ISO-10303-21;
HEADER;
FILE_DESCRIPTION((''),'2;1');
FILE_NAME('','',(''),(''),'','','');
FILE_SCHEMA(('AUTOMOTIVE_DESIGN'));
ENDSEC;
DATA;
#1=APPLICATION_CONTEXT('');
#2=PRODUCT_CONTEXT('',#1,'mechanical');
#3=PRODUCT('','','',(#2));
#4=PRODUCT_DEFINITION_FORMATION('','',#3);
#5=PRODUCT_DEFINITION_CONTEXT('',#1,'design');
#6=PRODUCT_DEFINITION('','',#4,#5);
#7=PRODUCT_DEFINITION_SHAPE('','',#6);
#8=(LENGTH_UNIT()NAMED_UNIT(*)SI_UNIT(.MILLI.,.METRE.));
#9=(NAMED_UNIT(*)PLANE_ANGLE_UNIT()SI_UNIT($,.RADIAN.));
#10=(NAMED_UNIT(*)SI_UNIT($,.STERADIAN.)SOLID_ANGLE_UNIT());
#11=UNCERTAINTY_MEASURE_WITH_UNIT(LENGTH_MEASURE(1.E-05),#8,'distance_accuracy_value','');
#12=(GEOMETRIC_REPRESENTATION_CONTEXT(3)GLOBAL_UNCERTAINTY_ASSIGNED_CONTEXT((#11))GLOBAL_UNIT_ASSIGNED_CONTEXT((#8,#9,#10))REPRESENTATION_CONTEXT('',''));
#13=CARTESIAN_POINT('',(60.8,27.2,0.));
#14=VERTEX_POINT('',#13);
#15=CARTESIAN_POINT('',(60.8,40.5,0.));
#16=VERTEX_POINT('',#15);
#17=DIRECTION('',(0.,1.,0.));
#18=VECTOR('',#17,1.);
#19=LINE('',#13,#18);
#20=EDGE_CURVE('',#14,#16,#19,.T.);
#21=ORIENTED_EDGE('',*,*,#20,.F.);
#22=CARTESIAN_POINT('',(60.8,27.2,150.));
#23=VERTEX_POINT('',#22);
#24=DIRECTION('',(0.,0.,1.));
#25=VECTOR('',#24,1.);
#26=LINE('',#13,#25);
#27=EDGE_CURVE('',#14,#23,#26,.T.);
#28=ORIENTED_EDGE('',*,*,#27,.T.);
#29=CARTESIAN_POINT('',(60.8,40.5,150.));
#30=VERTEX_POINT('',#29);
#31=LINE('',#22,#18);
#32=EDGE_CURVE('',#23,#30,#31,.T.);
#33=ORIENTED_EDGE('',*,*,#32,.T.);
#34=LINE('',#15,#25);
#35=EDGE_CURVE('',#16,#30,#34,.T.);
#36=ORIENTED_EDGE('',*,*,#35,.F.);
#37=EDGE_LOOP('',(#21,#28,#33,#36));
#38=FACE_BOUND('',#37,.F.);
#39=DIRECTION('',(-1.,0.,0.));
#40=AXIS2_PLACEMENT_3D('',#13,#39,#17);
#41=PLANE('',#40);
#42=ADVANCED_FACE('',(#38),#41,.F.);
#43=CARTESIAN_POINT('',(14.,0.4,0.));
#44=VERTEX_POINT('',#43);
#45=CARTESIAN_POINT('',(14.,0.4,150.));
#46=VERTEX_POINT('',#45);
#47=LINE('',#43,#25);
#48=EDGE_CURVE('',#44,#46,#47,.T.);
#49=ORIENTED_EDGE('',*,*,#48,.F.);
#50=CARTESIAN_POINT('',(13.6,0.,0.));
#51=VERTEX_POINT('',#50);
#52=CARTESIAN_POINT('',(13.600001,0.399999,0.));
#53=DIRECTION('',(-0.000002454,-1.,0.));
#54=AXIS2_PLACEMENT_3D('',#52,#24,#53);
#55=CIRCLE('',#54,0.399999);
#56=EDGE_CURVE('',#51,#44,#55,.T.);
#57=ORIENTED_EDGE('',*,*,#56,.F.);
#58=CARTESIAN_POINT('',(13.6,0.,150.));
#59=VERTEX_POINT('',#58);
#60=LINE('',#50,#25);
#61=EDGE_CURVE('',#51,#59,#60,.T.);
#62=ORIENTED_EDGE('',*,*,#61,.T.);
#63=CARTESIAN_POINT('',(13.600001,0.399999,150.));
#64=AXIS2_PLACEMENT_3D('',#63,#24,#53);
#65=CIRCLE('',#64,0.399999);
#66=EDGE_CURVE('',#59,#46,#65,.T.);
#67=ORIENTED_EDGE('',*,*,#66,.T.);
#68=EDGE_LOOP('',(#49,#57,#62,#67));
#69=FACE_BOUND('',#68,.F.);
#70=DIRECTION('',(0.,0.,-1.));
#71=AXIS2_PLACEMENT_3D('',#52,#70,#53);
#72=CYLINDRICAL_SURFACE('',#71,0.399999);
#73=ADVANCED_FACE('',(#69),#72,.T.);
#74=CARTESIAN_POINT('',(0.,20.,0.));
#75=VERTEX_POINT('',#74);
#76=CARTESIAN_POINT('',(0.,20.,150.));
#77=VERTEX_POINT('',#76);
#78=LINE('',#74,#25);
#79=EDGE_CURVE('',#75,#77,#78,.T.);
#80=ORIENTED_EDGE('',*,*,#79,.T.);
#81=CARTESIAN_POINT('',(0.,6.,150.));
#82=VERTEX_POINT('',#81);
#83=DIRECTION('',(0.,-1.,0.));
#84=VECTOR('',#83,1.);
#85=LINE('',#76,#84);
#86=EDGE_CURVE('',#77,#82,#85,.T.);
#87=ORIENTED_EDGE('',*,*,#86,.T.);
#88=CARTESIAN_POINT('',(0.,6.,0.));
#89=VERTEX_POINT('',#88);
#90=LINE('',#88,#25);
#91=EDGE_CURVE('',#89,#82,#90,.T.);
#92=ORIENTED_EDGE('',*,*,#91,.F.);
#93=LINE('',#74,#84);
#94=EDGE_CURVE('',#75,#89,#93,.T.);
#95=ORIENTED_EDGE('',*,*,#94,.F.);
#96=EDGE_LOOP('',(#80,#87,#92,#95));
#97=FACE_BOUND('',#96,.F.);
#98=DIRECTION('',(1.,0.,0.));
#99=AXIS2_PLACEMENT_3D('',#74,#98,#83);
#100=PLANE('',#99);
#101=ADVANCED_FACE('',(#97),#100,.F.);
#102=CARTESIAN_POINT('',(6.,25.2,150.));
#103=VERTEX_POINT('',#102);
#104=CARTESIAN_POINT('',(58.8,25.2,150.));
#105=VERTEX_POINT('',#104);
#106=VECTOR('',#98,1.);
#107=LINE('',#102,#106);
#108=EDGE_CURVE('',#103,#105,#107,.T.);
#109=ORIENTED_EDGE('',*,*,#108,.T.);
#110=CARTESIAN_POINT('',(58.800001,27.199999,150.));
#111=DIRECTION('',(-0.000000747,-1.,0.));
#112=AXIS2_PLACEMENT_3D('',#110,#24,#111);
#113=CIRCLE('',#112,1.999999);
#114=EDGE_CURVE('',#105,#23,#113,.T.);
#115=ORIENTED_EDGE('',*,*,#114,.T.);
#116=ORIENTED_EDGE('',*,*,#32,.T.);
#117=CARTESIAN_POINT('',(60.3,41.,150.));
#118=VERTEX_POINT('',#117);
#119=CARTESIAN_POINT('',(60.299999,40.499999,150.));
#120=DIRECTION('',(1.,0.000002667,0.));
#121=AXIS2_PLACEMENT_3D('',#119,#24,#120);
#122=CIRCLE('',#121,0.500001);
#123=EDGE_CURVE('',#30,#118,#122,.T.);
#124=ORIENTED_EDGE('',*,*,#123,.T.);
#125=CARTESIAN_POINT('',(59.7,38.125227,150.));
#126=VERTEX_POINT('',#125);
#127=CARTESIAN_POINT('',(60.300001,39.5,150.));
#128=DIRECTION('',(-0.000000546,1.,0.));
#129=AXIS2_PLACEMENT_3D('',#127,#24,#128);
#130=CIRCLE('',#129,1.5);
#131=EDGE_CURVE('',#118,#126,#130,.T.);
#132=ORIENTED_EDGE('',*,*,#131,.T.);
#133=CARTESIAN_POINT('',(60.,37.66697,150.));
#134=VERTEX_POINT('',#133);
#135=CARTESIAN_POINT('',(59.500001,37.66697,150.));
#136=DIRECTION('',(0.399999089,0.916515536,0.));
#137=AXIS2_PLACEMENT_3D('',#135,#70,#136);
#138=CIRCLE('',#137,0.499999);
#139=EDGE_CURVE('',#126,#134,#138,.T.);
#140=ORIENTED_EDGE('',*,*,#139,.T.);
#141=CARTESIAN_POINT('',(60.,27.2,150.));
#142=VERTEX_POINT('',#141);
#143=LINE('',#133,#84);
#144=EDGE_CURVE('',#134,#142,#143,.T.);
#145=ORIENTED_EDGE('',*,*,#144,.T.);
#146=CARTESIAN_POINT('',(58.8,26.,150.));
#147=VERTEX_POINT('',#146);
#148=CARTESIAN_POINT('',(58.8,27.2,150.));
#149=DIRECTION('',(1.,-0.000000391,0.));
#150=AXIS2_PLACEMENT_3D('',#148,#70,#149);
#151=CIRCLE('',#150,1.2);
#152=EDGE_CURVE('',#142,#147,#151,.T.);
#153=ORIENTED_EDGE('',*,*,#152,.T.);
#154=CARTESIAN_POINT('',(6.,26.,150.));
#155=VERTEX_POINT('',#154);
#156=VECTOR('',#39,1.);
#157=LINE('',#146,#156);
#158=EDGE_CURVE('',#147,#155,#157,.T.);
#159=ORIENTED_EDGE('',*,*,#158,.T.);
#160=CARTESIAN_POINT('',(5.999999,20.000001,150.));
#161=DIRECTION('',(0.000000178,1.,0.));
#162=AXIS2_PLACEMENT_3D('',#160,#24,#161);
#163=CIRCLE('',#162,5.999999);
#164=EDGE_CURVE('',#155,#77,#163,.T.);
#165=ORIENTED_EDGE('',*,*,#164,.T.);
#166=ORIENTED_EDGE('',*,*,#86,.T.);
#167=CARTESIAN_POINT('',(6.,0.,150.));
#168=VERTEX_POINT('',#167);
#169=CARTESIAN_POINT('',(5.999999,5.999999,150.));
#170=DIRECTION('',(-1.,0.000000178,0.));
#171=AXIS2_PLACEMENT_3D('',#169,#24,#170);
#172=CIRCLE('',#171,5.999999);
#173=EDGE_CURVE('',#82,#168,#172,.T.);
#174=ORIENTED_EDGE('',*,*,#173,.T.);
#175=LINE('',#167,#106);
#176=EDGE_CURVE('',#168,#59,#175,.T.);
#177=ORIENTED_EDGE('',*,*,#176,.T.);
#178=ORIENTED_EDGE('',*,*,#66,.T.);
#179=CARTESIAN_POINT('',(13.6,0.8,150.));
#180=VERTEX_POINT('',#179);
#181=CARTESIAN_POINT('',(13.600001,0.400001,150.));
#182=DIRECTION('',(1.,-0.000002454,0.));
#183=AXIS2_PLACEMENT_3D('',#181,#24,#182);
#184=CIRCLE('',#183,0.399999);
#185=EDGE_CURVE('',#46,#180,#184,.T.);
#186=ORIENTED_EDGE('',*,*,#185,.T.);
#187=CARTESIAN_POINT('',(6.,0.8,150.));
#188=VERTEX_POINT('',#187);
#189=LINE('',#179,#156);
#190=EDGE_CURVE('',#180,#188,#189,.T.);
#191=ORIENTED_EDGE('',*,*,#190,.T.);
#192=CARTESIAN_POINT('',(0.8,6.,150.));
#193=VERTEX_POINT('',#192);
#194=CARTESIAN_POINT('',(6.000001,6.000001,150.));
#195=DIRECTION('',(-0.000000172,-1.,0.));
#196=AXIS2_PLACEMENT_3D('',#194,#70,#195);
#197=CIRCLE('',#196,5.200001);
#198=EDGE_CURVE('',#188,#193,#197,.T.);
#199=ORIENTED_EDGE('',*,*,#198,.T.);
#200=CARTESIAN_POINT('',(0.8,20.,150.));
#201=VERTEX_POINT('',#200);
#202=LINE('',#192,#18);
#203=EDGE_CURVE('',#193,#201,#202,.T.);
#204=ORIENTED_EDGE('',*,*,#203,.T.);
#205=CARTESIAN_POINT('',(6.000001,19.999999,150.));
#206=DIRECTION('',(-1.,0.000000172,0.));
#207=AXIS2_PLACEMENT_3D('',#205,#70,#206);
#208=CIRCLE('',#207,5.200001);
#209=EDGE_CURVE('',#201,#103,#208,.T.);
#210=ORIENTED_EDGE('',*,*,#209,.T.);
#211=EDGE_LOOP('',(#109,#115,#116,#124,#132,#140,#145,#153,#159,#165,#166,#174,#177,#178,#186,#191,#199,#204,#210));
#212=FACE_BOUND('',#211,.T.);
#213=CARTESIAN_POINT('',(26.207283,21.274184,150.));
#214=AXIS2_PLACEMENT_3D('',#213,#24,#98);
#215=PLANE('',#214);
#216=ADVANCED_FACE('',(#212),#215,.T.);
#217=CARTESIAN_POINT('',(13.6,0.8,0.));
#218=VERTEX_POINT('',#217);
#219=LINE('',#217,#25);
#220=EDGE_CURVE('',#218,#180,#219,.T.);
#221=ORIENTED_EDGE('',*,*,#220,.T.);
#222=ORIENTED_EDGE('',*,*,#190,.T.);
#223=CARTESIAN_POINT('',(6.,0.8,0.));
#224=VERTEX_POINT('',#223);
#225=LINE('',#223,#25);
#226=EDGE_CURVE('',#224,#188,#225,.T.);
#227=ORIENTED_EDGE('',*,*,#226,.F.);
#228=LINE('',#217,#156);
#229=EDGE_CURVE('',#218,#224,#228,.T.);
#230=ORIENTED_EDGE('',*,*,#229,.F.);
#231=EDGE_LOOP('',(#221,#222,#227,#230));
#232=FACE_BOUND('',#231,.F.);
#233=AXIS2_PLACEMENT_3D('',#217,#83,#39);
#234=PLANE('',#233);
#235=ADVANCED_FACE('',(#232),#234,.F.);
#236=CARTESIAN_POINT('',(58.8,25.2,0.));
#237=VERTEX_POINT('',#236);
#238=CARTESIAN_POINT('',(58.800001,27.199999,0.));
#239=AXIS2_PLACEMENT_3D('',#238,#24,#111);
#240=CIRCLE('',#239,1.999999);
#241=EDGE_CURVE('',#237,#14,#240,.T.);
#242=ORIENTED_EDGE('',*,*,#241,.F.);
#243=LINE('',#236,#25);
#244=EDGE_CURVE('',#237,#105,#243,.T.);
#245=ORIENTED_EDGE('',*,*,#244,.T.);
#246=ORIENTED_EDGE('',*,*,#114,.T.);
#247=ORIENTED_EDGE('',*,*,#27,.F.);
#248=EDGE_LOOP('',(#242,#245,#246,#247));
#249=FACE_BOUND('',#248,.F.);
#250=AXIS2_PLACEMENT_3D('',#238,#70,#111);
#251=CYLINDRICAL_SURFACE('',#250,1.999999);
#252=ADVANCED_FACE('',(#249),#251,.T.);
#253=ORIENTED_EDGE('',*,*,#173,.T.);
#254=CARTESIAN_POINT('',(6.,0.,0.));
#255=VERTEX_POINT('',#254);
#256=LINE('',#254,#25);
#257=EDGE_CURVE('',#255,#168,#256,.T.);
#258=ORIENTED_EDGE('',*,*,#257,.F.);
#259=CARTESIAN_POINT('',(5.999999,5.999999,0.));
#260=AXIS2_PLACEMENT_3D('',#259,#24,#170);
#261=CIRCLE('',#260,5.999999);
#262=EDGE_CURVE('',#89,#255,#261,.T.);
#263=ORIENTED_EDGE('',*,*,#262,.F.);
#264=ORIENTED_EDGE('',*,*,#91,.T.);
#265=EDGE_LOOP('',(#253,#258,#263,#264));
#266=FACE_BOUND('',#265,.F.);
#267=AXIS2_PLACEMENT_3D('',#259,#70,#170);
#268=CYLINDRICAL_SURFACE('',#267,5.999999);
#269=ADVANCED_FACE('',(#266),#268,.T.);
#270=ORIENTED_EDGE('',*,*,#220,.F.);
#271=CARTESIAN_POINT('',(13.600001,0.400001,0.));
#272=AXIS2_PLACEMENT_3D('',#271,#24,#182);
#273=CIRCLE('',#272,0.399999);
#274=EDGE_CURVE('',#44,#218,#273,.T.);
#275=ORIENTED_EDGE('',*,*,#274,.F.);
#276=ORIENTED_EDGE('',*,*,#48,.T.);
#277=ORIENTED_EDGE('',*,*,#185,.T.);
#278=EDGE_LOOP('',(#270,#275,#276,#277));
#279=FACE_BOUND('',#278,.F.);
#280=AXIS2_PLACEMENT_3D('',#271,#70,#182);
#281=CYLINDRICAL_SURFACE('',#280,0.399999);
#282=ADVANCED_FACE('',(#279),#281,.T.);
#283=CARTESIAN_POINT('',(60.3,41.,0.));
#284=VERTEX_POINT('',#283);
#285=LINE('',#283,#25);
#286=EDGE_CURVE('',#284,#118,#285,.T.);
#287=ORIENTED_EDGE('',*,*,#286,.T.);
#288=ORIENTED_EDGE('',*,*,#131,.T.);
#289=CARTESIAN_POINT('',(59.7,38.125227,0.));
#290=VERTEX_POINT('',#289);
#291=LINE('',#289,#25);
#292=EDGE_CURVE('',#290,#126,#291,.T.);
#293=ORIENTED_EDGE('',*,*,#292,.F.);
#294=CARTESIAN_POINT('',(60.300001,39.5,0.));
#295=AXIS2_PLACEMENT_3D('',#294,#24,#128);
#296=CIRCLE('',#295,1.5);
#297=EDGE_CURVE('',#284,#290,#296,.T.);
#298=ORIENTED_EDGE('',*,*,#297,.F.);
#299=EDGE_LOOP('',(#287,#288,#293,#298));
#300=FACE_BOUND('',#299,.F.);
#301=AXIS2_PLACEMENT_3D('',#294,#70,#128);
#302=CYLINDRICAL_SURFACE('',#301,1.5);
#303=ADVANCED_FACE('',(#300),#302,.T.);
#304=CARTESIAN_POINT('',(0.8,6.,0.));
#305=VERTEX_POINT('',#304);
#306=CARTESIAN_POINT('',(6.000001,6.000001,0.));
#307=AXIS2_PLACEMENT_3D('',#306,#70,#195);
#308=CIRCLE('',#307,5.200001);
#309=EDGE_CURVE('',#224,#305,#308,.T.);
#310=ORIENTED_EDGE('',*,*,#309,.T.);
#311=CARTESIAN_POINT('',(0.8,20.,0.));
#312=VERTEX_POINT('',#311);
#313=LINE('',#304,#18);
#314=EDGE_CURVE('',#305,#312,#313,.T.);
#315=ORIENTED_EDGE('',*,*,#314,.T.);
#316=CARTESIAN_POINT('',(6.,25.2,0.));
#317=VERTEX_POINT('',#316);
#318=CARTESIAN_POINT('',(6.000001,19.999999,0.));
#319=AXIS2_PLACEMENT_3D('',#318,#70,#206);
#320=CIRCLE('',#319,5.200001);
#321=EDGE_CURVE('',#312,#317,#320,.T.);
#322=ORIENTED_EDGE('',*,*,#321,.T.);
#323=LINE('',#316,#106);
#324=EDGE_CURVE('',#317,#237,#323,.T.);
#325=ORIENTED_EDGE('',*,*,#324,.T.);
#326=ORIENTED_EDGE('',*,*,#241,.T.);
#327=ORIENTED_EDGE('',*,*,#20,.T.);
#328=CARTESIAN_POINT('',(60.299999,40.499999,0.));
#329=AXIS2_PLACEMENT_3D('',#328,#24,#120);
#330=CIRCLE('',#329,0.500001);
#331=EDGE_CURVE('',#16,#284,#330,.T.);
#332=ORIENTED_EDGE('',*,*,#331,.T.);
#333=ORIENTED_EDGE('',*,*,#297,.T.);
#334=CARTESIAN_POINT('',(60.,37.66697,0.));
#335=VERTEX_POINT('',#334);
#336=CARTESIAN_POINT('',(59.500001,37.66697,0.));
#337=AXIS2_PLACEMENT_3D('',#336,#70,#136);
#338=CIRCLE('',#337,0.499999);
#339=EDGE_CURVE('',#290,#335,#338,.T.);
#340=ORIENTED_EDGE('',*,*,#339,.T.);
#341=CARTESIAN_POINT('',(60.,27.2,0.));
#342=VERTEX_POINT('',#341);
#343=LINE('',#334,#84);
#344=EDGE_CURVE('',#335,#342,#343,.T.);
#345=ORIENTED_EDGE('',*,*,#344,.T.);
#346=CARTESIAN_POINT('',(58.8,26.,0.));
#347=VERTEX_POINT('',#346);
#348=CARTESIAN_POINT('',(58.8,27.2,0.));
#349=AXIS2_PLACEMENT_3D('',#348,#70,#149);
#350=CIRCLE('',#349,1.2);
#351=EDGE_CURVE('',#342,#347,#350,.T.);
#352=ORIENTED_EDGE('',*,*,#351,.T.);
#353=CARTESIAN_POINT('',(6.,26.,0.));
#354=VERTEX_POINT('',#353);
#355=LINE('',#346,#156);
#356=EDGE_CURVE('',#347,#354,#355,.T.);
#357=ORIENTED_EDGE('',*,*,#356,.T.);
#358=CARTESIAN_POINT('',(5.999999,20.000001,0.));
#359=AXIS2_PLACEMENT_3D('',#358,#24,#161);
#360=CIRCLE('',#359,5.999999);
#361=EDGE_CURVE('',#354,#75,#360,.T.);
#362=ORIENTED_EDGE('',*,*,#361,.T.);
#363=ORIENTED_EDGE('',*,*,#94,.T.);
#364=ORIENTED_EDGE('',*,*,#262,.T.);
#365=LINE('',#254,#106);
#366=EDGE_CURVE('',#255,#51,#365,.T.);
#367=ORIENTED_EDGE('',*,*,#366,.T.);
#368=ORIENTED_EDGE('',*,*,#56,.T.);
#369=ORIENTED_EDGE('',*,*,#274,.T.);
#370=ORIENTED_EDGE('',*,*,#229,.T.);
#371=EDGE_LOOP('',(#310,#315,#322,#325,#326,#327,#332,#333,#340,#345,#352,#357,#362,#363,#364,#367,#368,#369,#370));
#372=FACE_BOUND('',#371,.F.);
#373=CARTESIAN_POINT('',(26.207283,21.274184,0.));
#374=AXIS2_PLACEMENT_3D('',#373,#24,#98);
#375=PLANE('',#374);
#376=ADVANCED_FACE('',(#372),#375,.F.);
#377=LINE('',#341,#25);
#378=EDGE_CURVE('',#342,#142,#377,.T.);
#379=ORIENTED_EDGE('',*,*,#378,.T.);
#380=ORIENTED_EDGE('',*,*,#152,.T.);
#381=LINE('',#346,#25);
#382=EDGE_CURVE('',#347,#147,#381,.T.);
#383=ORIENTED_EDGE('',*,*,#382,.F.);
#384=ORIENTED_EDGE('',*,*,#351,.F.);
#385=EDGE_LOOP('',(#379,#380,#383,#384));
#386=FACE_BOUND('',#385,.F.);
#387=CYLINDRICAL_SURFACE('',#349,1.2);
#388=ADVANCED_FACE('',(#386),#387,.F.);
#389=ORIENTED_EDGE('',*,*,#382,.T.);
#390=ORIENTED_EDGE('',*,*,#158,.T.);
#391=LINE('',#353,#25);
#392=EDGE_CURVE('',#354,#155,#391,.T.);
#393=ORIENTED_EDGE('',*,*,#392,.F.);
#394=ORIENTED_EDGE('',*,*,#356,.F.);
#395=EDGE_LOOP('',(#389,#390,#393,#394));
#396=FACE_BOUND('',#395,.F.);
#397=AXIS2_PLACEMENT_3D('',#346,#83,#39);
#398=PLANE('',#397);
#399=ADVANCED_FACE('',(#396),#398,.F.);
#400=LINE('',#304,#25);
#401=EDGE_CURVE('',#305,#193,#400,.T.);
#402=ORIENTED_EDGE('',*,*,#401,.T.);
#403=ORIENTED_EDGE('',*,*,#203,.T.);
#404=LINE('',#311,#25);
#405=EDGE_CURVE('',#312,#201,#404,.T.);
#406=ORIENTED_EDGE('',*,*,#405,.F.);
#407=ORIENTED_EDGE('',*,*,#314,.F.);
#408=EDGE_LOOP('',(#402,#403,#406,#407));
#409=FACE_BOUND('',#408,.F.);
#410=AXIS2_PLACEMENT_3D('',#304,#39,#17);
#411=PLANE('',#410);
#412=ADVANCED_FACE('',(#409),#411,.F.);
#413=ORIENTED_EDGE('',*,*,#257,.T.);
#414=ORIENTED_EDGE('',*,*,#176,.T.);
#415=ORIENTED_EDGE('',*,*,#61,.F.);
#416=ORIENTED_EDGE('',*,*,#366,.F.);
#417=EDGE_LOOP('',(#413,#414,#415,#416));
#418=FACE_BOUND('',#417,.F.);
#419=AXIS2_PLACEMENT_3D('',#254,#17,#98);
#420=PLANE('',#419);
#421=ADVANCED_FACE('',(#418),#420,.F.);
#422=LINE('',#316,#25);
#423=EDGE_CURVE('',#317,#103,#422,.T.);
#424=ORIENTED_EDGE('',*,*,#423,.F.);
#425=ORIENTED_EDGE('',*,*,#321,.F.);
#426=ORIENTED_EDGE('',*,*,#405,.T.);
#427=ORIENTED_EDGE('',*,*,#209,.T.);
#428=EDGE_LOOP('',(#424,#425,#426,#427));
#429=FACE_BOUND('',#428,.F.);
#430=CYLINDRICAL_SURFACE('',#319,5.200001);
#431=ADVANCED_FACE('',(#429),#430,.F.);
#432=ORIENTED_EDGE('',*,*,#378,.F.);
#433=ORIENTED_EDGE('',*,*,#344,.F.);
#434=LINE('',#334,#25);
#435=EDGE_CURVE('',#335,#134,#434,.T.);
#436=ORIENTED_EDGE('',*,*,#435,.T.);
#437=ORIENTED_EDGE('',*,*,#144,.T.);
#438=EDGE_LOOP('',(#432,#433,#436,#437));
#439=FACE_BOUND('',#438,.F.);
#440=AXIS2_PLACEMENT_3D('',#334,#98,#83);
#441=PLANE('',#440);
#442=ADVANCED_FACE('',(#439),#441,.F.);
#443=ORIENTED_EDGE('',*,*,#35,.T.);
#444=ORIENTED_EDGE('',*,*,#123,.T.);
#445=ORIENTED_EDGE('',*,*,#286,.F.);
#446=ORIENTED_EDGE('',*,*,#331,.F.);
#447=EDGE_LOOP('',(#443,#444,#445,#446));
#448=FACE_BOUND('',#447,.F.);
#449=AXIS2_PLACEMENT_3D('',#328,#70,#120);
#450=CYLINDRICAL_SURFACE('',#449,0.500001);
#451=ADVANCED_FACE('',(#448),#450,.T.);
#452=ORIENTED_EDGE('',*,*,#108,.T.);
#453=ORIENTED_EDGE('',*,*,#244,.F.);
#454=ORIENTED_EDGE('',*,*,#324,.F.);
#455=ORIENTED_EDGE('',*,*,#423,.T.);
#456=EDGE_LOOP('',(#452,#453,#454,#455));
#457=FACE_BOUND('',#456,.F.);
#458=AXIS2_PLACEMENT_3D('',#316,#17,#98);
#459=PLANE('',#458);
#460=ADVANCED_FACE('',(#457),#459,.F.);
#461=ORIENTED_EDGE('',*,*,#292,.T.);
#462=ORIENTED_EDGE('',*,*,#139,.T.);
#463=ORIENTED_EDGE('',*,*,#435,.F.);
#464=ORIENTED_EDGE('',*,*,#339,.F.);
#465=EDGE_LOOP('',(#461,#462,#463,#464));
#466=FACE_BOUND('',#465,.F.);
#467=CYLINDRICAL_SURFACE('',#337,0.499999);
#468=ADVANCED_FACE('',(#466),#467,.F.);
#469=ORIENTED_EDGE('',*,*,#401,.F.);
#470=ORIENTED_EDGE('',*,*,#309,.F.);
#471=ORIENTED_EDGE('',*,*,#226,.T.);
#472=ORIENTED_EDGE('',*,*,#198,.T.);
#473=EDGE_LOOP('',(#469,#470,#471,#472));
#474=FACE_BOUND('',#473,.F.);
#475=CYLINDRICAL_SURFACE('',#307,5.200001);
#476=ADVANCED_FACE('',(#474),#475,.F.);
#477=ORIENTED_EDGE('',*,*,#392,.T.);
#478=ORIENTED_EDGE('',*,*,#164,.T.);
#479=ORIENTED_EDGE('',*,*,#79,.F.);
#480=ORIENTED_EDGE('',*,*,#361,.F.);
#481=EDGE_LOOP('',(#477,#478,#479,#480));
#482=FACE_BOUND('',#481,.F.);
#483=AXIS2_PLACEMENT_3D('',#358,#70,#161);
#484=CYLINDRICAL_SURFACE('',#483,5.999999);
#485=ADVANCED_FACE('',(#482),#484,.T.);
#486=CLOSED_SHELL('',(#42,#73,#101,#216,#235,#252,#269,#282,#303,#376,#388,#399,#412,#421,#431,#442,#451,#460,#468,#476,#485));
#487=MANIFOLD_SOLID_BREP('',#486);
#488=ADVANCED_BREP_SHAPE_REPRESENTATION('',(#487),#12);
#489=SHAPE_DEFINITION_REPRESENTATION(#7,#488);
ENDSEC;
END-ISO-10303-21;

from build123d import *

# Parameters (mm, degrees)
F1_DEPTH = 150


with BuildPart() as f1:
    # F0 (on Top) → F1 (new body)
    with BuildSketch(Plane.XY):
        with BuildLine():
            Line((0, 20), (0, 6))
            ThreePointArc((0, 6), (1.757359, 1.757359), (6, 0))
            Line((6, 0), (13.6, 0))
            ThreePointArc((13.6, 0), (13.882843, 0.117157), (14, 0.4))
            ThreePointArc((14, 0.4), (13.882843, 0.682843), (13.6, 0.8))
            Line((13.6, 0.8), (6, 0.8))
            ThreePointArc((6, 0.8), (2.323045, 2.323045), (0.8, 6))
            Line((0.8, 6), (0.8, 20))
            ThreePointArc((0.8, 20), (2.323045, 23.676955), (6, 25.2))
            Line((6, 25.2), (58.8, 25.2))
            ThreePointArc((58.8, 25.2), (60.214214, 25.785786), (60.8, 27.2))
            Line((60.8, 27.2), (60.8, 40.5))
            ThreePointArc((60.8, 40.5), (60.653553, 40.853553), (60.3, 41))
            ThreePointArc((60.3, 41), (58.831641, 39.806464), (59.7, 38.125227))
            ThreePointArc((59.7, 38.125227), (59.91833, 37.940831), (60, 37.66697))
            Line((60, 37.66697), (60, 27.2))
            ThreePointArc((60, 27.2), (59.648528, 26.351472), (58.8, 26))
            Line((58.8, 26), (6, 26))
            ThreePointArc((6, 26), (1.757359, 24.242641), (0, 20))
        make_face()
    extrude(amount=F1_DEPTH)


solid = f1.part
